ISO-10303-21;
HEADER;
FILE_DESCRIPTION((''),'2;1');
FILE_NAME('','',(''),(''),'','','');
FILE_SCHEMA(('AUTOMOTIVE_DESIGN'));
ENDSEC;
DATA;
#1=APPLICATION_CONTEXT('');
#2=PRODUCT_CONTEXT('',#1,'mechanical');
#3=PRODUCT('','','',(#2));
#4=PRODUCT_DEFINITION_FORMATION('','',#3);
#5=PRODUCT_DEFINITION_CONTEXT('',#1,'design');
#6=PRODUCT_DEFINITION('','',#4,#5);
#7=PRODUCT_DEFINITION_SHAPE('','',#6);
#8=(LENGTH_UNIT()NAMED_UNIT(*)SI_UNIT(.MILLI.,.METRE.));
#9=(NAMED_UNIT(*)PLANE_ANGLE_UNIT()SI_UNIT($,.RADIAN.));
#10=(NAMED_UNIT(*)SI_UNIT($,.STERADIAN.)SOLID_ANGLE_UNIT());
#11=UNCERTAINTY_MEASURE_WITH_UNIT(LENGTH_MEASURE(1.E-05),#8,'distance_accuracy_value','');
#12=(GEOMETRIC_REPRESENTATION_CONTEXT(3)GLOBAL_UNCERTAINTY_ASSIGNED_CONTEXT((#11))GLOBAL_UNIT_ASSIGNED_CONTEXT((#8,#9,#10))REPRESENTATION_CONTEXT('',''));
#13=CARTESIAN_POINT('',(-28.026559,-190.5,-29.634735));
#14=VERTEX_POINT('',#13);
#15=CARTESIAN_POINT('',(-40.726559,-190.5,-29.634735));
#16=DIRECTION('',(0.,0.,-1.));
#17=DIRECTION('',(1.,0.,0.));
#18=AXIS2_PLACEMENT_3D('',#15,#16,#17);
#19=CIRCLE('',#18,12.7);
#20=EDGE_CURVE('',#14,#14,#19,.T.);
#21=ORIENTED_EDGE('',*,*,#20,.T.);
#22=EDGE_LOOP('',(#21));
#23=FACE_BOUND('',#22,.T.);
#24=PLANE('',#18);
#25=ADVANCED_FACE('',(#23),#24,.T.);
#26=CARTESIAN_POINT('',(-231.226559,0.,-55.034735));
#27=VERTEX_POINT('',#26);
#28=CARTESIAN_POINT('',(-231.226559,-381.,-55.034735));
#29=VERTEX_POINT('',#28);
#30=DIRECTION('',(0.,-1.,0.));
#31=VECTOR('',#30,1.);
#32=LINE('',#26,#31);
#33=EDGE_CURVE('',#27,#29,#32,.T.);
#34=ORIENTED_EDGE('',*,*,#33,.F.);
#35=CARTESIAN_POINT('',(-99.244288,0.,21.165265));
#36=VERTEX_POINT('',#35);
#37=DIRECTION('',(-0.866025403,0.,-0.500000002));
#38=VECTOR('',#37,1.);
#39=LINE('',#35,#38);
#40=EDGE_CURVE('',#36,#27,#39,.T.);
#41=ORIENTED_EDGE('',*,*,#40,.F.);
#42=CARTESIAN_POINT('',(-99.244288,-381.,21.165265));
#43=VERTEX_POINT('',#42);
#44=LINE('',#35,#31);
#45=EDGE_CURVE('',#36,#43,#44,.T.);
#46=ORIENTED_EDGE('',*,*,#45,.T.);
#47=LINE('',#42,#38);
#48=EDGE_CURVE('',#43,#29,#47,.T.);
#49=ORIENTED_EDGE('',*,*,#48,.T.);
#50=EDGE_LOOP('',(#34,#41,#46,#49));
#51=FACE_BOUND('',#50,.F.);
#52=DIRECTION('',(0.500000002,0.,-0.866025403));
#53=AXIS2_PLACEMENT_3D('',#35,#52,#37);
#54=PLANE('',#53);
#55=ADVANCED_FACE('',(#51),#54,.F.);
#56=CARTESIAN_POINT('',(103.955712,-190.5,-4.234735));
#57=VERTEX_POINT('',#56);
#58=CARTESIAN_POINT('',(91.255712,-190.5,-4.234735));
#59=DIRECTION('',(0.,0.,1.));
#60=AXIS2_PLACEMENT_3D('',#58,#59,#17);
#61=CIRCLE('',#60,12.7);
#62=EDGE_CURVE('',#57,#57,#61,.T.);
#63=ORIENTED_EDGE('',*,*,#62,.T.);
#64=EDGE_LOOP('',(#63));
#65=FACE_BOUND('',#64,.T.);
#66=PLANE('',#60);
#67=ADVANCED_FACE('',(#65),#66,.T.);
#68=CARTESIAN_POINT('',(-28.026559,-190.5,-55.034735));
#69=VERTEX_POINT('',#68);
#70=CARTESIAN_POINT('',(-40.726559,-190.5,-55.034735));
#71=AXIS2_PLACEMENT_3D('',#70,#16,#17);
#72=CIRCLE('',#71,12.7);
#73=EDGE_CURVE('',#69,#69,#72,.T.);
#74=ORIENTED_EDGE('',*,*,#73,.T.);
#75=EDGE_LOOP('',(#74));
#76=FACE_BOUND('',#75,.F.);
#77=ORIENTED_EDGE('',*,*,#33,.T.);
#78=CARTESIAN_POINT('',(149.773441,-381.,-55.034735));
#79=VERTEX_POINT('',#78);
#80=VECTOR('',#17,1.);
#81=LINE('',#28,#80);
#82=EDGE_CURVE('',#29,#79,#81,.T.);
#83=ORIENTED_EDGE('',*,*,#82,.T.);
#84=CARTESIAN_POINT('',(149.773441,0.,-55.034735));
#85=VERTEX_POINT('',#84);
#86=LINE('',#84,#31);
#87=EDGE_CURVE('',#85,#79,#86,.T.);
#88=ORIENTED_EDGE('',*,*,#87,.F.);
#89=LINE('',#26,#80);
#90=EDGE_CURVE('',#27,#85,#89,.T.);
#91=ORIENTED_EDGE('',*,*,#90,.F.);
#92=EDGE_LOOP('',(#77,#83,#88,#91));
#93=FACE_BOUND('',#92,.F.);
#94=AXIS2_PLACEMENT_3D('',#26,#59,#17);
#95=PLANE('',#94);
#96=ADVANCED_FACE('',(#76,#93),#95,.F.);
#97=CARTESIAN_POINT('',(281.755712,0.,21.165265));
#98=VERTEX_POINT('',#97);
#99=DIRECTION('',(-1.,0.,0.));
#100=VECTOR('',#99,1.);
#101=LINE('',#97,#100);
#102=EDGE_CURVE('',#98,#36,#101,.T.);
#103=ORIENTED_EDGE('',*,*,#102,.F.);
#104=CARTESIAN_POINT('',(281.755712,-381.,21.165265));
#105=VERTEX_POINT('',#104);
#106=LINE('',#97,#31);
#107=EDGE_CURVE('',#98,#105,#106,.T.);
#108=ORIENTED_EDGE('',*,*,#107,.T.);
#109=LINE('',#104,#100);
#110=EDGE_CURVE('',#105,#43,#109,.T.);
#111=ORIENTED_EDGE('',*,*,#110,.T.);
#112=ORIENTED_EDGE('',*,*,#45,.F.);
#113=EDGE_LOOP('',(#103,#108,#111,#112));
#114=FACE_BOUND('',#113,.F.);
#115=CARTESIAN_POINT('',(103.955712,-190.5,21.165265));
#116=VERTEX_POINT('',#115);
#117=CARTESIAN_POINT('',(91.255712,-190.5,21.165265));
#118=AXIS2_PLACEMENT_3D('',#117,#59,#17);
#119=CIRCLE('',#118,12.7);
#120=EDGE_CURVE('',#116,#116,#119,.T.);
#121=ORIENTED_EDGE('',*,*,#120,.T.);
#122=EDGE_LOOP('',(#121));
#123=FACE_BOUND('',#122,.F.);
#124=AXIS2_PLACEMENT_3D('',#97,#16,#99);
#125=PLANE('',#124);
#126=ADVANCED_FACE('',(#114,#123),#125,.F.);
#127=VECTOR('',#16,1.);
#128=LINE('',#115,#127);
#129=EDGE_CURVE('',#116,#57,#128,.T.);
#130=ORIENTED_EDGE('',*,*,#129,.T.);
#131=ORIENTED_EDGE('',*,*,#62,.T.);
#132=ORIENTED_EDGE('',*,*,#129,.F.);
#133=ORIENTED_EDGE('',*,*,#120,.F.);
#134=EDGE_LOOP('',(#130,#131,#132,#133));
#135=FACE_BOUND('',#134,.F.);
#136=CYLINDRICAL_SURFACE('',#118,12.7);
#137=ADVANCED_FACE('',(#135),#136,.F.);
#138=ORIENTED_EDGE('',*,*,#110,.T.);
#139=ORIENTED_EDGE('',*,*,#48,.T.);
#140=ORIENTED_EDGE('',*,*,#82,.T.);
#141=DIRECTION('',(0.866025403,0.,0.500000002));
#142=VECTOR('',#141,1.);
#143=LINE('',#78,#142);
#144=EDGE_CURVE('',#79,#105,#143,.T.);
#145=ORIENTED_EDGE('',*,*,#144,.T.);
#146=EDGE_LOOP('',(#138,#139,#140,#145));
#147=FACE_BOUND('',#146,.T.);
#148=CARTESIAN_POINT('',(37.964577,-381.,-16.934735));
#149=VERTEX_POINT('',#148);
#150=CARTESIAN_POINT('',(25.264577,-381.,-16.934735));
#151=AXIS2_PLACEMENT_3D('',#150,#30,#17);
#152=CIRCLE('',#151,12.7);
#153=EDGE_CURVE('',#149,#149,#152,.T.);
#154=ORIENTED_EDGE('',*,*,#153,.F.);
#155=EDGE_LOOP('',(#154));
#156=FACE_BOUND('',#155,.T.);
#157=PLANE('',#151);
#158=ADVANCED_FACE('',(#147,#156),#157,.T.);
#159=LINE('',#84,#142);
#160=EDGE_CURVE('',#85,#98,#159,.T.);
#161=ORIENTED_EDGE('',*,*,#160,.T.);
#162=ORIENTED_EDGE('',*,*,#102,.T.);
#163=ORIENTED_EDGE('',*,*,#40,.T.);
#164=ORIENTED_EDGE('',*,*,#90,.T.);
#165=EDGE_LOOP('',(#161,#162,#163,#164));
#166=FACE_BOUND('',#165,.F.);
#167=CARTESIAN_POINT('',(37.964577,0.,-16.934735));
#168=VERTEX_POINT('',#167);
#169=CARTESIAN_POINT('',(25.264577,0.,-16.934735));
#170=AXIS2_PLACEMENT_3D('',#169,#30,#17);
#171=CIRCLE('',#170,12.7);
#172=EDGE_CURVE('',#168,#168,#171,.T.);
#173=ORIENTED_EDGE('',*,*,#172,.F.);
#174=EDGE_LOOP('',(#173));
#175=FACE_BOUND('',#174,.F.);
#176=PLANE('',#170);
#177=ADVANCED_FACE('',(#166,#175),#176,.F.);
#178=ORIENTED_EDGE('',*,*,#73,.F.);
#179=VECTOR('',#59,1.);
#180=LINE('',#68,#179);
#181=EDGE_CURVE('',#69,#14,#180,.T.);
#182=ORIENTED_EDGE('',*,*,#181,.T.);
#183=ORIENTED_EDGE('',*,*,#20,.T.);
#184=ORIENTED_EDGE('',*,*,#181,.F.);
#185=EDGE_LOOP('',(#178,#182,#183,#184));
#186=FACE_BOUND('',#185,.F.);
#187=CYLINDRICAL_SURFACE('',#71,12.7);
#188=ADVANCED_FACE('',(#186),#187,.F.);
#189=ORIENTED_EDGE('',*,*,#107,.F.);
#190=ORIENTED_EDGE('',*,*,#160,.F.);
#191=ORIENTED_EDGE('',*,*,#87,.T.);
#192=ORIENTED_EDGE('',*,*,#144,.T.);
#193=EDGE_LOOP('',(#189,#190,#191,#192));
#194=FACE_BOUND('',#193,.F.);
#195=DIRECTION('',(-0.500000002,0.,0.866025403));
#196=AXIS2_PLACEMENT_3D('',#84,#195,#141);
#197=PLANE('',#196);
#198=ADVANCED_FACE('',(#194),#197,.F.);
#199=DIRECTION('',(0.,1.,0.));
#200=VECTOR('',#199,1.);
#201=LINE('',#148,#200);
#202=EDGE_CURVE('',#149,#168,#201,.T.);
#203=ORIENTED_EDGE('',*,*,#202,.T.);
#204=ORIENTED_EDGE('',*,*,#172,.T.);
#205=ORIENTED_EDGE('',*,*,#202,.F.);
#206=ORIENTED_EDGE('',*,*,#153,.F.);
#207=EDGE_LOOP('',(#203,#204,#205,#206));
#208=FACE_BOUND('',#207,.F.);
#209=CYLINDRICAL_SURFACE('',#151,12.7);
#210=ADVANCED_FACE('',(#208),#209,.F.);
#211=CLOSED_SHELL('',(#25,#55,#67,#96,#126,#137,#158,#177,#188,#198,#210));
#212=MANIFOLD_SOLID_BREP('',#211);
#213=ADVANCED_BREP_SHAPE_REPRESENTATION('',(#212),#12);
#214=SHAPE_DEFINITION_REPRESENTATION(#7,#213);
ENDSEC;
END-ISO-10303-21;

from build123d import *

# Parameters (mm, degrees)
F1_DEPTH = 381
F2_R     = 12.7
F3_DEPTH = 381
F5_R     = 12.7
F6_DEPTH = 25.4
F4_R     = 12.7
F7_DEPTH = 25.4


with BuildPart() as f1:
    # F0 (on Front) → F1 (new body)
    with BuildSketch(Plane.XZ):
        Polygon((-99.244288, 21.165265), (-231.226559, -55.034735), (149.773441, -55.034735), (281.755712, 21.165265), align=None)
    extrude(amount=F1_DEPTH)

    # F2 (on face) → F3 (cut)
    with BuildSketch(Plane.XZ.offset(381)):
        with Locations((25.264577, -16.934735)):
            Circle(F2_R)
    extrude(amount=-F3_DEPTH, mode=Mode.SUBTRACT)

    # F5 (on face) → F6 (cut)
    with BuildSketch(Plane(origin=(0, 0, -55.034735), x_dir=(1, 0, 0), z_dir=(0, 0, -1))):
        with Locations((-40.726559, 190.5)):
            Circle(F5_R)
    extrude(amount=-F6_DEPTH, mode=Mode.SUBTRACT)

    # F4 (on face) → F7 (cut)
    with BuildSketch(Plane.XY.offset(21.165265)):
        with Locations((91.255712, -190.5)):
            Circle(F4_R)
    extrude(amount=-F7_DEPTH, mode=Mode.SUBTRACT)


solid = f1.part
